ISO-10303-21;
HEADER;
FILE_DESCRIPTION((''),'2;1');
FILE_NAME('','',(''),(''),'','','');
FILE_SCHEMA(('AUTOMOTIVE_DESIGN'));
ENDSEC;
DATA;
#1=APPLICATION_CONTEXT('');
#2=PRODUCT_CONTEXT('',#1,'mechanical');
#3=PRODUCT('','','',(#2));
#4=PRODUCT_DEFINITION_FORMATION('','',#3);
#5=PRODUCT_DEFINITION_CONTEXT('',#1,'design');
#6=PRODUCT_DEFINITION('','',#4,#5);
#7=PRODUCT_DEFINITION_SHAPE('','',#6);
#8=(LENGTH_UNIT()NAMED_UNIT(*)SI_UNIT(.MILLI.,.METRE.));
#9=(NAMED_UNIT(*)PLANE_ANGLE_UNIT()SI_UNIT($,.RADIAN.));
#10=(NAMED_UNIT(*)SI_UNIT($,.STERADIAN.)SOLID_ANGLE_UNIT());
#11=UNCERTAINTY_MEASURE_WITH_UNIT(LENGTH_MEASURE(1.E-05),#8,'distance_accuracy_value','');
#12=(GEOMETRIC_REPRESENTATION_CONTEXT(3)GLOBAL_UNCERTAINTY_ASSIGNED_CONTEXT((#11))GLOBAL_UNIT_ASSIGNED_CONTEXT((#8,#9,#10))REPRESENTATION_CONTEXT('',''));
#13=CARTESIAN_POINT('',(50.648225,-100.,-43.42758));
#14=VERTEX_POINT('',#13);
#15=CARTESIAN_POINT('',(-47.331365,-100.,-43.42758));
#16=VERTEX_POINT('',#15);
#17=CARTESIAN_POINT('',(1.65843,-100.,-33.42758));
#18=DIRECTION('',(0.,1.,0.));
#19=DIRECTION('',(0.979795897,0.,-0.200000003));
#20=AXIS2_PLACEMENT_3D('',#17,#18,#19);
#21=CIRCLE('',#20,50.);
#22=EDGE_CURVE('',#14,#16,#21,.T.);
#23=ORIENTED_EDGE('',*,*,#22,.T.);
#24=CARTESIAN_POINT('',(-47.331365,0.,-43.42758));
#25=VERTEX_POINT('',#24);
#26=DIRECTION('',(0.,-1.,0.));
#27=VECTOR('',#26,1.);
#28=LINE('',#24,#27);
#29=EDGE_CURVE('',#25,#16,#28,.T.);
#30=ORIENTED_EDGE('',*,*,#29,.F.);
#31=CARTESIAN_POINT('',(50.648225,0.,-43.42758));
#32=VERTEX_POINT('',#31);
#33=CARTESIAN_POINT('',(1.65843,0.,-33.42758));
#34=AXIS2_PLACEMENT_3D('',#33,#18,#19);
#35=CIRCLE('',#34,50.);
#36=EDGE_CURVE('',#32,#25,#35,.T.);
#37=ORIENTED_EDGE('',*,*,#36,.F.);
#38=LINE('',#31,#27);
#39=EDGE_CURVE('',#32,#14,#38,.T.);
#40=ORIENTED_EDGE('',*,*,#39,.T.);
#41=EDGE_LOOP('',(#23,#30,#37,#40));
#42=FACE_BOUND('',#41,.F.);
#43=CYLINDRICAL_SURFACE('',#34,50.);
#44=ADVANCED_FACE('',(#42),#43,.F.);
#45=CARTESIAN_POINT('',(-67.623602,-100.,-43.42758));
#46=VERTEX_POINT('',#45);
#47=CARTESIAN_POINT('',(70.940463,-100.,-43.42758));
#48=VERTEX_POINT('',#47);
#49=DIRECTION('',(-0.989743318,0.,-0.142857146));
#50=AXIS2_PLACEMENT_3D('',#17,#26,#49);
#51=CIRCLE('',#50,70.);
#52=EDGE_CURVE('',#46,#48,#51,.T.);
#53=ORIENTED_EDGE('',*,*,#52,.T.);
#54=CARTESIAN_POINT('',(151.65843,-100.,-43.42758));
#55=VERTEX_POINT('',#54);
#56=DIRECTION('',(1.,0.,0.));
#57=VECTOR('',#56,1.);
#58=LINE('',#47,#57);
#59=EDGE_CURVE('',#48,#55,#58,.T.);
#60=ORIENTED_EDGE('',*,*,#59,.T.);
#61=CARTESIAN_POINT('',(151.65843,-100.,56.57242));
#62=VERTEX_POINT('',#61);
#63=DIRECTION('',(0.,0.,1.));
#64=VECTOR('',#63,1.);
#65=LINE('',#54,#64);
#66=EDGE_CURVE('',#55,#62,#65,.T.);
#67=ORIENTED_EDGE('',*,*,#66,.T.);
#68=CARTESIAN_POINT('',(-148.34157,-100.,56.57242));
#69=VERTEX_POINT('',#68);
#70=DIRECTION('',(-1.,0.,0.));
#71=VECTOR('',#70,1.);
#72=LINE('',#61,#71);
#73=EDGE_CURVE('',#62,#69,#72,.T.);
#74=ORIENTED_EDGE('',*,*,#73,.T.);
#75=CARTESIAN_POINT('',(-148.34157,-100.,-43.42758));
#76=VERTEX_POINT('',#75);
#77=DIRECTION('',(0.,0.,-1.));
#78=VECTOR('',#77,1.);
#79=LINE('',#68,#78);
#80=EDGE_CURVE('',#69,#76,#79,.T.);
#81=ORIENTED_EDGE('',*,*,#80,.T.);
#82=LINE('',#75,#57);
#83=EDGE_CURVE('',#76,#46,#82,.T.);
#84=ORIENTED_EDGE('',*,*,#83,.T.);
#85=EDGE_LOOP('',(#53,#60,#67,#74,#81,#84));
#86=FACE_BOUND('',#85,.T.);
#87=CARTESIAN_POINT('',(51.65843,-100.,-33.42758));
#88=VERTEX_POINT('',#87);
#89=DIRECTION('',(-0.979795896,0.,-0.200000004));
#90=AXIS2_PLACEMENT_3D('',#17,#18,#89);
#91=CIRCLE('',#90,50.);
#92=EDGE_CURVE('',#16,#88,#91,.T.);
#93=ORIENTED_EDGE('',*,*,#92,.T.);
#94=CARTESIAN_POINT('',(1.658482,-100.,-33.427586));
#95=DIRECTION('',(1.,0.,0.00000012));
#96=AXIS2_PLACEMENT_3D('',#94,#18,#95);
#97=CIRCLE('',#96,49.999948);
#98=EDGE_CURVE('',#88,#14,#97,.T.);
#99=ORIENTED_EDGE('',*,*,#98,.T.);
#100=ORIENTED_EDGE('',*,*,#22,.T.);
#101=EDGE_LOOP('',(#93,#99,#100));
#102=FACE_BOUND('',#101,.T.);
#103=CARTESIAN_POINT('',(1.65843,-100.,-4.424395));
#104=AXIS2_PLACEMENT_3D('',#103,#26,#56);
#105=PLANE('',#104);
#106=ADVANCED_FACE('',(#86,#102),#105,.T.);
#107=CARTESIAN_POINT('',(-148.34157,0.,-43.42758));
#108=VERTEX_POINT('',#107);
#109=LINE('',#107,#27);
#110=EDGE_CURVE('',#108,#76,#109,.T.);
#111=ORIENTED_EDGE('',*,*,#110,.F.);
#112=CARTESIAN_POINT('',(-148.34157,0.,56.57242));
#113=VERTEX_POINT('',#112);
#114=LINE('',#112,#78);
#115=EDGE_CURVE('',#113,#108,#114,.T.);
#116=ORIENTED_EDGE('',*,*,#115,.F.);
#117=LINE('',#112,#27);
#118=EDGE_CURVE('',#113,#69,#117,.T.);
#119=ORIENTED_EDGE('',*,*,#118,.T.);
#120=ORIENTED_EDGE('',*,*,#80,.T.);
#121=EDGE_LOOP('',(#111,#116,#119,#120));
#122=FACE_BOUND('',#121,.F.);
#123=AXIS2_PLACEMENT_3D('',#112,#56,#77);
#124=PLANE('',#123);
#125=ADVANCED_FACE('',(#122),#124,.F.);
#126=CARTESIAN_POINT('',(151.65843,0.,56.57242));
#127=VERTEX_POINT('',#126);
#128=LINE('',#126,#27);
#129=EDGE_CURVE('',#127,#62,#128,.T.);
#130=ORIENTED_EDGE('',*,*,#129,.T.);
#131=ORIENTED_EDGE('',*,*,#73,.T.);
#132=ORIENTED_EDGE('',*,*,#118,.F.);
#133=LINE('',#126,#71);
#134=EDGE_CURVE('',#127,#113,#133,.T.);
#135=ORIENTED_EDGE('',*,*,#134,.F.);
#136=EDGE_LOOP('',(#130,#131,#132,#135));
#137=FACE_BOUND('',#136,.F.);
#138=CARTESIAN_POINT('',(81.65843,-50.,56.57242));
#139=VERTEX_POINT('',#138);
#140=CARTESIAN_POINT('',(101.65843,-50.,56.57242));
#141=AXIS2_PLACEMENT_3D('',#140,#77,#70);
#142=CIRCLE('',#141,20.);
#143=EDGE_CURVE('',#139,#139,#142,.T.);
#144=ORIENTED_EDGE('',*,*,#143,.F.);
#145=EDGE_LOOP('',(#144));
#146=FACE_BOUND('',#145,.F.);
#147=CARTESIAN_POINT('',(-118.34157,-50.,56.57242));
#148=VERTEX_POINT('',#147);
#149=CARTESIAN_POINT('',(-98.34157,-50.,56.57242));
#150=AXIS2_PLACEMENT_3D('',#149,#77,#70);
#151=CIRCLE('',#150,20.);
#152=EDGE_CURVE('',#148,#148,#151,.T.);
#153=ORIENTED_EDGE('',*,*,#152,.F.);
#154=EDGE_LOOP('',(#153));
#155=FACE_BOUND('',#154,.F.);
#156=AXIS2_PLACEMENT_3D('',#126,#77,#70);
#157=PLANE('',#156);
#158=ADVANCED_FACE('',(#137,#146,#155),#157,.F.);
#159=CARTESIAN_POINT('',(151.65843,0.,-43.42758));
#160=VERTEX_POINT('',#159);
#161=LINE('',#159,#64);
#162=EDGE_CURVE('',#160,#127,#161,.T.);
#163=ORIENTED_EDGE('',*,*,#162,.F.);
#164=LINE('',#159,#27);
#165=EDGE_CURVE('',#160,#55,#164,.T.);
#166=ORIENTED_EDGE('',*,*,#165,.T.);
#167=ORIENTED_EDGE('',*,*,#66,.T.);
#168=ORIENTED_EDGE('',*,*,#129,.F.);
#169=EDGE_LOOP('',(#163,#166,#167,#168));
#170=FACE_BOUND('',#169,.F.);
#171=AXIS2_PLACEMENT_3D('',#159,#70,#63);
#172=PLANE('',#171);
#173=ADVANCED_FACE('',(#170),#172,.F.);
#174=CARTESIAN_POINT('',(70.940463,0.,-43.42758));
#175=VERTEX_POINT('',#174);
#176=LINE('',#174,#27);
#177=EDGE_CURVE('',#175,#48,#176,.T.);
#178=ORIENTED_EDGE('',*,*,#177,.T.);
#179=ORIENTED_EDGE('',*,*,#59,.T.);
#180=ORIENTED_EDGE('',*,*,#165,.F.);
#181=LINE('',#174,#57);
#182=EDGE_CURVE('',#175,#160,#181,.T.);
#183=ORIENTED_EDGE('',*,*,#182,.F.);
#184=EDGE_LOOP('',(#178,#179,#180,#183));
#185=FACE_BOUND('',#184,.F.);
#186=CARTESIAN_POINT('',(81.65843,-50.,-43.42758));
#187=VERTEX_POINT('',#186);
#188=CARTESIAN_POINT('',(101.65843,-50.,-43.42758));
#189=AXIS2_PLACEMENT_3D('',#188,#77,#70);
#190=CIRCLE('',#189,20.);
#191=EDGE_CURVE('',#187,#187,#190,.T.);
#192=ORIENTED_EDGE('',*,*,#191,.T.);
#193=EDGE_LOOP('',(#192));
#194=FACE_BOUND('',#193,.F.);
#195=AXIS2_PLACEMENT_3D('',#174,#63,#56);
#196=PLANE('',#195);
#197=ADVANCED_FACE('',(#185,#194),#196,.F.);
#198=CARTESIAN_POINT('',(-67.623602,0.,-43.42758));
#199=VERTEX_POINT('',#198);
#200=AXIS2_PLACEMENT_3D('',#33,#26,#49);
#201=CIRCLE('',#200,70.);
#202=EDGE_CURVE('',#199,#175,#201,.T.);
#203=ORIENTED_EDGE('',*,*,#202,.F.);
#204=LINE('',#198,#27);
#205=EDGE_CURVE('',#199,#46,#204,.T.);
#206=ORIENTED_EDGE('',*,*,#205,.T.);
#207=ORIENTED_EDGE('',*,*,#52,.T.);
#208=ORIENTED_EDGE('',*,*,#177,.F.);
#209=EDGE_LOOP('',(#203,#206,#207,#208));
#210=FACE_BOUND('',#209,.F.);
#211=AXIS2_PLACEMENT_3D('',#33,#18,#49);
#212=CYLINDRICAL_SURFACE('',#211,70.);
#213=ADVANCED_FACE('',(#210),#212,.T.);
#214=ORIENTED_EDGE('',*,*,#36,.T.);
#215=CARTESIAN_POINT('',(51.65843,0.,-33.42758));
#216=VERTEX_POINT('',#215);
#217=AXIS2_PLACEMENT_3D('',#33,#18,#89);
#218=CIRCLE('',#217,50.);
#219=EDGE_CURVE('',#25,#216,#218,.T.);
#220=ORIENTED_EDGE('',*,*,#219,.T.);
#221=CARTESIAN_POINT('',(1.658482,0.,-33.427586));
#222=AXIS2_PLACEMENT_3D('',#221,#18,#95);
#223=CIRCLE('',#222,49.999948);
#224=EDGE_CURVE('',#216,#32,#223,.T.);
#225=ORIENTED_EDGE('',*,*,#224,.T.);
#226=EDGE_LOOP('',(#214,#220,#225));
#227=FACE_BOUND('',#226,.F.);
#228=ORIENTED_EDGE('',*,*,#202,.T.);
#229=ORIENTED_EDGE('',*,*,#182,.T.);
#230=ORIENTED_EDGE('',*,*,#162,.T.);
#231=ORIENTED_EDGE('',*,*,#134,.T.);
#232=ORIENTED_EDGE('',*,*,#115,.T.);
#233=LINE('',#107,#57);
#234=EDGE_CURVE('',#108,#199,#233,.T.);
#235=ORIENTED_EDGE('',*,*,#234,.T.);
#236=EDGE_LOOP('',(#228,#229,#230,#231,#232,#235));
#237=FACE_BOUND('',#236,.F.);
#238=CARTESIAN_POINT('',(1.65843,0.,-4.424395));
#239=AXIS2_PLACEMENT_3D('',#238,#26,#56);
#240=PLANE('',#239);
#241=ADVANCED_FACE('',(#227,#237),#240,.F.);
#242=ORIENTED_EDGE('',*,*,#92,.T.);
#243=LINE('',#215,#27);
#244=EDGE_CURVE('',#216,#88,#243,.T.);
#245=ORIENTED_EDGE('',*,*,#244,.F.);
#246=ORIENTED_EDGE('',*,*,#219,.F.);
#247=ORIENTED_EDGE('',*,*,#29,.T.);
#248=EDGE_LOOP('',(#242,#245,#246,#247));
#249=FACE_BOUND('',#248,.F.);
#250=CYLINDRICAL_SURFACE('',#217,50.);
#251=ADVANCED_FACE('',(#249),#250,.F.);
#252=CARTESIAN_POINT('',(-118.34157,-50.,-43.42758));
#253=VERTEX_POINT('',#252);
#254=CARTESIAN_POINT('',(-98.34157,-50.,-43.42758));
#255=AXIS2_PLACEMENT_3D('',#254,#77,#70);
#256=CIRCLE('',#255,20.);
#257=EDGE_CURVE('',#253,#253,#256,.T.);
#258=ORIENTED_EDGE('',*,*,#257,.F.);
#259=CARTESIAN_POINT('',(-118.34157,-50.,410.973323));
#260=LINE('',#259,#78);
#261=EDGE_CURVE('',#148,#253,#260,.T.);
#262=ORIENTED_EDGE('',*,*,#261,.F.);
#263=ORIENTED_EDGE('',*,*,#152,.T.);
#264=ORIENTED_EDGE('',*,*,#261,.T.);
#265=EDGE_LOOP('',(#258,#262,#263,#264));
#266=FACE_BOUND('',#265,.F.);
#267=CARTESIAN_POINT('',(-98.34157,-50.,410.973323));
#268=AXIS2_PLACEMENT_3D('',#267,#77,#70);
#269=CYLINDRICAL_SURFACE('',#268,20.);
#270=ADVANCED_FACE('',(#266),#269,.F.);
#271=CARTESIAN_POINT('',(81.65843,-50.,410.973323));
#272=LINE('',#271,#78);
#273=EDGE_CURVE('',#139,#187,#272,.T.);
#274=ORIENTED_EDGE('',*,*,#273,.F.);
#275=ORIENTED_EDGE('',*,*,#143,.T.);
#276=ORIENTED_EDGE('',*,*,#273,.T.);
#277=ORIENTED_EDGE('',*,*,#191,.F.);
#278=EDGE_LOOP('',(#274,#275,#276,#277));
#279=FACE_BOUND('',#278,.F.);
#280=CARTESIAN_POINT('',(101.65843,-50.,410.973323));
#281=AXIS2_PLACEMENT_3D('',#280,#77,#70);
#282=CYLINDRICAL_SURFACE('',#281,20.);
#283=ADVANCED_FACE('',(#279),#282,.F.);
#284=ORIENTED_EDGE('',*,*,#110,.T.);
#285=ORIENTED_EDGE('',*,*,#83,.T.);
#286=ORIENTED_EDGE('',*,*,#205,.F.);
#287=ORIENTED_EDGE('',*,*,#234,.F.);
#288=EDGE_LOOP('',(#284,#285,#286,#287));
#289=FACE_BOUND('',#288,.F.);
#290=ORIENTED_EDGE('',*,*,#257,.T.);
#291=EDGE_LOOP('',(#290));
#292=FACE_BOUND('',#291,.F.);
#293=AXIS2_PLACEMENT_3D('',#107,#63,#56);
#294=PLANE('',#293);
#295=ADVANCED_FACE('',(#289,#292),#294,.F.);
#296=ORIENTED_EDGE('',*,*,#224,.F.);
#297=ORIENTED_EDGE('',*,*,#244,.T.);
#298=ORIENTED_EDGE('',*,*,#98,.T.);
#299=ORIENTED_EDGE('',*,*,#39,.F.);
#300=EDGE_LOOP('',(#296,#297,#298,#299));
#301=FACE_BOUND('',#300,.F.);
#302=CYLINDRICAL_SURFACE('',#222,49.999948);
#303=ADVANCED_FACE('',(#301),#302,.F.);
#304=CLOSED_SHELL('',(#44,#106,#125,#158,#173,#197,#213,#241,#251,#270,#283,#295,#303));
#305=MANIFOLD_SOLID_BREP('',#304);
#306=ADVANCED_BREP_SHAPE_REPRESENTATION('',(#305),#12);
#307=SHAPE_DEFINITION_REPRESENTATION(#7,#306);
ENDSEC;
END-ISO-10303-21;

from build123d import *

# Parameters (mm, degrees)
F1_DEPTH = 100
F3_D     = 40


with BuildPart() as f1:
    # F0 (on Front) → F1 (new body)
    with BuildSketch(Plane.XZ):
        with BuildLine():
            Line((151.65843, 56.57242), (-148.34157, 56.57242))
            Line((-148.34157, 56.57242), (-148.34157, -43.42758))
            Line((-148.34157, -43.42758), (-67.623602, -43.42758))
            ThreePointArc((-67.623602, -43.42758), (1.65843, -103.42758), (70.940463, -43.42758))
            Line((70.940463, -43.42758), (151.65843, -43.42758))
            Line((151.65843, -43.42758), (151.65843, 56.57242))
        make_face()
        with BuildLine():
            ThreePointArc((-47.331365, -43.42758), (-3.367018, 16.319228), (51.65843, -33.42758))
            ThreePointArc((51.65843, -33.42758), (51.405238, -38.453028), (50.648225, -43.42758))
            ThreePointArc((50.648225, -43.42758), (1.65843, -83.42758), (-47.331365, -43.42758))
        make_face(mode=Mode.SUBTRACT)
    extrude(amount=F1_DEPTH)

    # F3 (through all)
    with Locations(Plane.XY.offset(56.57242)):
        with Locations((-98.34157, -50), (101.65843, -50)):
            Hole(F3_D / 2)


solid = f1.part
